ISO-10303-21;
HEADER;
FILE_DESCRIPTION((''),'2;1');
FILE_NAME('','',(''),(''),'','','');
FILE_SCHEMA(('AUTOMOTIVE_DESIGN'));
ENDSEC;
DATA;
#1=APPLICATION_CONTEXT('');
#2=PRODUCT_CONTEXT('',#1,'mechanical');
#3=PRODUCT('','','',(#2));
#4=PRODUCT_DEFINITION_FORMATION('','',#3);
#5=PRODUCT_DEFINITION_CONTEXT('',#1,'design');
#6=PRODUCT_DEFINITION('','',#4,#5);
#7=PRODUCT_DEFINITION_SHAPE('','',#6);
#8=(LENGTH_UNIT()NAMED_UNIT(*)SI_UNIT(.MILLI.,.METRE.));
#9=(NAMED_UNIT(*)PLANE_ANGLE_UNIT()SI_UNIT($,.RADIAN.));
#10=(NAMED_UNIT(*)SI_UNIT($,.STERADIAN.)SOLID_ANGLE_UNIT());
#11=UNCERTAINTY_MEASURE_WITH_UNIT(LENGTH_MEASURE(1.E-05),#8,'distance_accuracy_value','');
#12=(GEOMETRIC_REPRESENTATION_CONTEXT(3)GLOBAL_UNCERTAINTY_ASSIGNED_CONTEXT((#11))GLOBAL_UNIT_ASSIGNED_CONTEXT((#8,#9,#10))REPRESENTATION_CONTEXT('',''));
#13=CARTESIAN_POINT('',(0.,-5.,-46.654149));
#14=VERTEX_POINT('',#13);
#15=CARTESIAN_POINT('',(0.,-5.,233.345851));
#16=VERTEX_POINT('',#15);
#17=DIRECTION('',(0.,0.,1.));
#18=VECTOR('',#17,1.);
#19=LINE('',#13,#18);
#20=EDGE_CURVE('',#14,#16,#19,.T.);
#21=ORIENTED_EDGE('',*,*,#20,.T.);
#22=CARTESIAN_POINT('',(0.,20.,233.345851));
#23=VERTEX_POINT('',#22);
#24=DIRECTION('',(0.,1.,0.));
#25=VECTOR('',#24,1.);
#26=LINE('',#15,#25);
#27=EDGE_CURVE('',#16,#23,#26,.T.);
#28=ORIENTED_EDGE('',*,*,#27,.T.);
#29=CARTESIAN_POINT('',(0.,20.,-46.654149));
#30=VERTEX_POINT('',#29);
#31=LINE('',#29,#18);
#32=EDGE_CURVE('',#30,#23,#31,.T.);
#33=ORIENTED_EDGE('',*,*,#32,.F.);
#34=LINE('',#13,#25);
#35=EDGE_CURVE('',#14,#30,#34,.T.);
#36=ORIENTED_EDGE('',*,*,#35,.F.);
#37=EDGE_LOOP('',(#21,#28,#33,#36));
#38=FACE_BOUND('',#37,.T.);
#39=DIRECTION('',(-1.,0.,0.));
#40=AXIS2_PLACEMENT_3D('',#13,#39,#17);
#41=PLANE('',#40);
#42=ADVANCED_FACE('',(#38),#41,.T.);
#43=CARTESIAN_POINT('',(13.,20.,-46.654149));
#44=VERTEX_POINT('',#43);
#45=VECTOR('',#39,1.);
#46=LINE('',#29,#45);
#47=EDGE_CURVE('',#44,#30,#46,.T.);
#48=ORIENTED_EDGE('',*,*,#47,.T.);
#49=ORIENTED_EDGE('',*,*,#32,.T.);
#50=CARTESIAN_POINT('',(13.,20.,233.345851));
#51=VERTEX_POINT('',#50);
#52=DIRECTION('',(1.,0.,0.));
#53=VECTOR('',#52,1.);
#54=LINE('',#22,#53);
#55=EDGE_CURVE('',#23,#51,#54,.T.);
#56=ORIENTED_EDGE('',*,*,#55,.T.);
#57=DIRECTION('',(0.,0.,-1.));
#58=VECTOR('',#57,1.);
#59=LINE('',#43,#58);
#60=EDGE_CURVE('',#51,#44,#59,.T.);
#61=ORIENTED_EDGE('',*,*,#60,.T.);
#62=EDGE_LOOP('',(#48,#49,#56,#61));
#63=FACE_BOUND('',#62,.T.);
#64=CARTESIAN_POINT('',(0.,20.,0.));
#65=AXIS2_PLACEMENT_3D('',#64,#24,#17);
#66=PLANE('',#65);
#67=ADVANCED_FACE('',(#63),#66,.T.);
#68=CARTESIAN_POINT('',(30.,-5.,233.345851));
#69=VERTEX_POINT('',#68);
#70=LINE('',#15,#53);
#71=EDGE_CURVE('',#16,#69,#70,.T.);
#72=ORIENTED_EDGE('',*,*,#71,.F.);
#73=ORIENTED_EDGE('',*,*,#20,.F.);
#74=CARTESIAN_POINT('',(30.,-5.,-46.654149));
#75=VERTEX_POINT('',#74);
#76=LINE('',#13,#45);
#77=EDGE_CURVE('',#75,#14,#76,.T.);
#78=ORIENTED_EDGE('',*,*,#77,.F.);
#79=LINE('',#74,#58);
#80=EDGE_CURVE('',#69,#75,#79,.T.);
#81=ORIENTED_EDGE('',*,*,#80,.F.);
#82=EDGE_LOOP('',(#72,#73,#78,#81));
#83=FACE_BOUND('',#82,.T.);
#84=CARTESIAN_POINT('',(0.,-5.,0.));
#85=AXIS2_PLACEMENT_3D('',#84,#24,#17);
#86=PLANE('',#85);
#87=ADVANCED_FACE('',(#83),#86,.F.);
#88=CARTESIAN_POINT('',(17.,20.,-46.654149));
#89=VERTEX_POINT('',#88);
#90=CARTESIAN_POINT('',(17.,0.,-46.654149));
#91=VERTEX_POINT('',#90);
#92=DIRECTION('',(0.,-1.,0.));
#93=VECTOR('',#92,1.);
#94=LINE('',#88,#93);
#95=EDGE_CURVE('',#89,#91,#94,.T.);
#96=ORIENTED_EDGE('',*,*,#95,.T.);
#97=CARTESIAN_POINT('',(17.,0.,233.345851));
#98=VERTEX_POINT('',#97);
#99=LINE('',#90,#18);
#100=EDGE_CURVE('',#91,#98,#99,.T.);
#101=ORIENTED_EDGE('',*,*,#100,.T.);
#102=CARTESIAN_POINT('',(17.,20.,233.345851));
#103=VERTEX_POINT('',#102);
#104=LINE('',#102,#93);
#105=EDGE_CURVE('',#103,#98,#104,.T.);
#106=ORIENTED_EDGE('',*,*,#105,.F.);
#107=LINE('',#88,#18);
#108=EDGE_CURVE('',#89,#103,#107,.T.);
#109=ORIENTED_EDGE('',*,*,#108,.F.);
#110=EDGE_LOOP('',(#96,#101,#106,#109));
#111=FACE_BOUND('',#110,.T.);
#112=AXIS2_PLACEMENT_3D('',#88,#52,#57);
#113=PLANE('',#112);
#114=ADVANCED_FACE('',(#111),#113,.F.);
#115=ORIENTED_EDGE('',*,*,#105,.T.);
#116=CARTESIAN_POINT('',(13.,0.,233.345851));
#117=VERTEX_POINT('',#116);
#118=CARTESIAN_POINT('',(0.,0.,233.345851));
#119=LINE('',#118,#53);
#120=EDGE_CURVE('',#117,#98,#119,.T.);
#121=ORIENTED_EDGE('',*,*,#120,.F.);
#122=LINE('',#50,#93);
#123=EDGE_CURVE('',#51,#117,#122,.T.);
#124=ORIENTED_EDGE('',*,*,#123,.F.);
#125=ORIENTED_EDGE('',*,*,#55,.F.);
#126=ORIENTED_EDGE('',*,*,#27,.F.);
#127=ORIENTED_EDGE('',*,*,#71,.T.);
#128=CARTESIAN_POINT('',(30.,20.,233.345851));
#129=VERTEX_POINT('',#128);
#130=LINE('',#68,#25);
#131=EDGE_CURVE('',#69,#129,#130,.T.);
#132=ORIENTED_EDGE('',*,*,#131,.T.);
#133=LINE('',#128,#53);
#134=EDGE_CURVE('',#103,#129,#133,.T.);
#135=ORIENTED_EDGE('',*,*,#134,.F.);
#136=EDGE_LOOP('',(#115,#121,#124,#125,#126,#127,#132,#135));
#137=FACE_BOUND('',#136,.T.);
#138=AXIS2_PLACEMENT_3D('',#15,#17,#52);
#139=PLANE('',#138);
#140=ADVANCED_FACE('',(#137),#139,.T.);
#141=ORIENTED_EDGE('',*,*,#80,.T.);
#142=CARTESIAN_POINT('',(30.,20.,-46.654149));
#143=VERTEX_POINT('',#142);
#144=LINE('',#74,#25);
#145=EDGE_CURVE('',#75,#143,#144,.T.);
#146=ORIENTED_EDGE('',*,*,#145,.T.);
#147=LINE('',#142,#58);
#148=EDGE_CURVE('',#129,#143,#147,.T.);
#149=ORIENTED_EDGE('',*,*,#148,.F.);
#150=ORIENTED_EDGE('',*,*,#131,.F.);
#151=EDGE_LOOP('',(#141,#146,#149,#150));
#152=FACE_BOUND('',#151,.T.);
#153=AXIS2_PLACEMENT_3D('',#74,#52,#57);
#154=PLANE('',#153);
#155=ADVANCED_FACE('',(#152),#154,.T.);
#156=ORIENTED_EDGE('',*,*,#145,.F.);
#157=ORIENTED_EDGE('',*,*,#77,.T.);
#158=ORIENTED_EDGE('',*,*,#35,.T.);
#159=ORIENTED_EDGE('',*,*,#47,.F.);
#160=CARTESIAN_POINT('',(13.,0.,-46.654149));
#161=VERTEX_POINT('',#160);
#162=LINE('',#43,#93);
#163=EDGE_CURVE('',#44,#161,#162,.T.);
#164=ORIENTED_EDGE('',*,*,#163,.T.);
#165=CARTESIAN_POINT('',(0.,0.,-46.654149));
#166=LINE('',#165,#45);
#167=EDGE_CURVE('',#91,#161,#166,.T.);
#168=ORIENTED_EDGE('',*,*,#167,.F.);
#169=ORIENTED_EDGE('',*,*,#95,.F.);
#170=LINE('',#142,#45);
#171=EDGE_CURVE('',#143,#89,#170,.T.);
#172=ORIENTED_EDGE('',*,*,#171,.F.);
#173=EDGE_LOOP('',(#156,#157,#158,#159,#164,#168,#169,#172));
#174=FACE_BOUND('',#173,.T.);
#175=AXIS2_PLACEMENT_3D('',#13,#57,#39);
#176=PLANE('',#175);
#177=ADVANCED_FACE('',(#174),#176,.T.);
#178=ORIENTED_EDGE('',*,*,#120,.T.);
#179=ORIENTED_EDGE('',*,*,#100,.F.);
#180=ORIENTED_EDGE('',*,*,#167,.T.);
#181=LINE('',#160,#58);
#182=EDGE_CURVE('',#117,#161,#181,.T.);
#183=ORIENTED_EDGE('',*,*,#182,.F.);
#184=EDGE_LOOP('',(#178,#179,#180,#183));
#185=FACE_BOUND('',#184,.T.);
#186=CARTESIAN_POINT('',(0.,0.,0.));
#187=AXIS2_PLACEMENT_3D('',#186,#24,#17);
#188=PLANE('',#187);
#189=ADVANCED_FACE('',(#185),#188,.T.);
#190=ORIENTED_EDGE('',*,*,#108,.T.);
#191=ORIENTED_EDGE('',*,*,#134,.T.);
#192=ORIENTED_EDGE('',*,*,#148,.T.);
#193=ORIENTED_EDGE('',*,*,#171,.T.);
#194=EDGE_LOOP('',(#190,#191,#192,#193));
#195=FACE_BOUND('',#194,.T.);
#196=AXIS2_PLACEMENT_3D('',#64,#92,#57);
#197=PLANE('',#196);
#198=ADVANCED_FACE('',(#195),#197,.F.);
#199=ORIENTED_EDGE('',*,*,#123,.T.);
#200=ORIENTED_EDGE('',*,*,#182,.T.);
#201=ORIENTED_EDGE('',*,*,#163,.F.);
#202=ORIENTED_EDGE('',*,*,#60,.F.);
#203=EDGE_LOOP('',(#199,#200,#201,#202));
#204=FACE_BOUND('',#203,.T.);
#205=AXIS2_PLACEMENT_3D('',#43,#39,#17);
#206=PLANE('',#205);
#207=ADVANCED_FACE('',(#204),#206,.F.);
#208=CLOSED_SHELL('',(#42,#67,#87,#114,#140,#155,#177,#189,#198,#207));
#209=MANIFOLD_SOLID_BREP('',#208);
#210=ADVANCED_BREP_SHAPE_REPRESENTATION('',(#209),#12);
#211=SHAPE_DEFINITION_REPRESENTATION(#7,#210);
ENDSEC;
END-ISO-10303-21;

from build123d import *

# Parameters (mm, degrees)
SKETCH_1_W      = 30
SKETCH_1_H      = 280
EXTRUDE_1_DEPTH = 5
SKETCH_2_W      = 13
SKETCH_2_H      = 280
EXTRUDE_2_DEPTH = 20


with BuildPart() as part:
    # 草图1 → 凸台-拉伸1 (new body)
    with BuildSketch(Plane(origin=(0, 0, 0), x_dir=(1, 0, 0), z_dir=(0, 1, 0))):
        with Locations((15, -93.34585106)):
            Rectangle(SKETCH_1_W, SKETCH_1_H)
    extrude(amount=-EXTRUDE_1_DEPTH)

    # 草图2 → 凸台-拉伸2 (add)
    with BuildSketch(Plane(origin=(0, 0, 0), x_dir=(1, 0, 0), z_dir=(0, 1, 0))):
        with Locations((6.5, -93.34585106)):
            Rectangle(SKETCH_2_W, SKETCH_2_H)
        with Locations((23.5, -93.34585106)):
            Rectangle(SKETCH_2_W, SKETCH_2_H)
    extrude(amount=EXTRUDE_2_DEPTH)


solid = part.part
